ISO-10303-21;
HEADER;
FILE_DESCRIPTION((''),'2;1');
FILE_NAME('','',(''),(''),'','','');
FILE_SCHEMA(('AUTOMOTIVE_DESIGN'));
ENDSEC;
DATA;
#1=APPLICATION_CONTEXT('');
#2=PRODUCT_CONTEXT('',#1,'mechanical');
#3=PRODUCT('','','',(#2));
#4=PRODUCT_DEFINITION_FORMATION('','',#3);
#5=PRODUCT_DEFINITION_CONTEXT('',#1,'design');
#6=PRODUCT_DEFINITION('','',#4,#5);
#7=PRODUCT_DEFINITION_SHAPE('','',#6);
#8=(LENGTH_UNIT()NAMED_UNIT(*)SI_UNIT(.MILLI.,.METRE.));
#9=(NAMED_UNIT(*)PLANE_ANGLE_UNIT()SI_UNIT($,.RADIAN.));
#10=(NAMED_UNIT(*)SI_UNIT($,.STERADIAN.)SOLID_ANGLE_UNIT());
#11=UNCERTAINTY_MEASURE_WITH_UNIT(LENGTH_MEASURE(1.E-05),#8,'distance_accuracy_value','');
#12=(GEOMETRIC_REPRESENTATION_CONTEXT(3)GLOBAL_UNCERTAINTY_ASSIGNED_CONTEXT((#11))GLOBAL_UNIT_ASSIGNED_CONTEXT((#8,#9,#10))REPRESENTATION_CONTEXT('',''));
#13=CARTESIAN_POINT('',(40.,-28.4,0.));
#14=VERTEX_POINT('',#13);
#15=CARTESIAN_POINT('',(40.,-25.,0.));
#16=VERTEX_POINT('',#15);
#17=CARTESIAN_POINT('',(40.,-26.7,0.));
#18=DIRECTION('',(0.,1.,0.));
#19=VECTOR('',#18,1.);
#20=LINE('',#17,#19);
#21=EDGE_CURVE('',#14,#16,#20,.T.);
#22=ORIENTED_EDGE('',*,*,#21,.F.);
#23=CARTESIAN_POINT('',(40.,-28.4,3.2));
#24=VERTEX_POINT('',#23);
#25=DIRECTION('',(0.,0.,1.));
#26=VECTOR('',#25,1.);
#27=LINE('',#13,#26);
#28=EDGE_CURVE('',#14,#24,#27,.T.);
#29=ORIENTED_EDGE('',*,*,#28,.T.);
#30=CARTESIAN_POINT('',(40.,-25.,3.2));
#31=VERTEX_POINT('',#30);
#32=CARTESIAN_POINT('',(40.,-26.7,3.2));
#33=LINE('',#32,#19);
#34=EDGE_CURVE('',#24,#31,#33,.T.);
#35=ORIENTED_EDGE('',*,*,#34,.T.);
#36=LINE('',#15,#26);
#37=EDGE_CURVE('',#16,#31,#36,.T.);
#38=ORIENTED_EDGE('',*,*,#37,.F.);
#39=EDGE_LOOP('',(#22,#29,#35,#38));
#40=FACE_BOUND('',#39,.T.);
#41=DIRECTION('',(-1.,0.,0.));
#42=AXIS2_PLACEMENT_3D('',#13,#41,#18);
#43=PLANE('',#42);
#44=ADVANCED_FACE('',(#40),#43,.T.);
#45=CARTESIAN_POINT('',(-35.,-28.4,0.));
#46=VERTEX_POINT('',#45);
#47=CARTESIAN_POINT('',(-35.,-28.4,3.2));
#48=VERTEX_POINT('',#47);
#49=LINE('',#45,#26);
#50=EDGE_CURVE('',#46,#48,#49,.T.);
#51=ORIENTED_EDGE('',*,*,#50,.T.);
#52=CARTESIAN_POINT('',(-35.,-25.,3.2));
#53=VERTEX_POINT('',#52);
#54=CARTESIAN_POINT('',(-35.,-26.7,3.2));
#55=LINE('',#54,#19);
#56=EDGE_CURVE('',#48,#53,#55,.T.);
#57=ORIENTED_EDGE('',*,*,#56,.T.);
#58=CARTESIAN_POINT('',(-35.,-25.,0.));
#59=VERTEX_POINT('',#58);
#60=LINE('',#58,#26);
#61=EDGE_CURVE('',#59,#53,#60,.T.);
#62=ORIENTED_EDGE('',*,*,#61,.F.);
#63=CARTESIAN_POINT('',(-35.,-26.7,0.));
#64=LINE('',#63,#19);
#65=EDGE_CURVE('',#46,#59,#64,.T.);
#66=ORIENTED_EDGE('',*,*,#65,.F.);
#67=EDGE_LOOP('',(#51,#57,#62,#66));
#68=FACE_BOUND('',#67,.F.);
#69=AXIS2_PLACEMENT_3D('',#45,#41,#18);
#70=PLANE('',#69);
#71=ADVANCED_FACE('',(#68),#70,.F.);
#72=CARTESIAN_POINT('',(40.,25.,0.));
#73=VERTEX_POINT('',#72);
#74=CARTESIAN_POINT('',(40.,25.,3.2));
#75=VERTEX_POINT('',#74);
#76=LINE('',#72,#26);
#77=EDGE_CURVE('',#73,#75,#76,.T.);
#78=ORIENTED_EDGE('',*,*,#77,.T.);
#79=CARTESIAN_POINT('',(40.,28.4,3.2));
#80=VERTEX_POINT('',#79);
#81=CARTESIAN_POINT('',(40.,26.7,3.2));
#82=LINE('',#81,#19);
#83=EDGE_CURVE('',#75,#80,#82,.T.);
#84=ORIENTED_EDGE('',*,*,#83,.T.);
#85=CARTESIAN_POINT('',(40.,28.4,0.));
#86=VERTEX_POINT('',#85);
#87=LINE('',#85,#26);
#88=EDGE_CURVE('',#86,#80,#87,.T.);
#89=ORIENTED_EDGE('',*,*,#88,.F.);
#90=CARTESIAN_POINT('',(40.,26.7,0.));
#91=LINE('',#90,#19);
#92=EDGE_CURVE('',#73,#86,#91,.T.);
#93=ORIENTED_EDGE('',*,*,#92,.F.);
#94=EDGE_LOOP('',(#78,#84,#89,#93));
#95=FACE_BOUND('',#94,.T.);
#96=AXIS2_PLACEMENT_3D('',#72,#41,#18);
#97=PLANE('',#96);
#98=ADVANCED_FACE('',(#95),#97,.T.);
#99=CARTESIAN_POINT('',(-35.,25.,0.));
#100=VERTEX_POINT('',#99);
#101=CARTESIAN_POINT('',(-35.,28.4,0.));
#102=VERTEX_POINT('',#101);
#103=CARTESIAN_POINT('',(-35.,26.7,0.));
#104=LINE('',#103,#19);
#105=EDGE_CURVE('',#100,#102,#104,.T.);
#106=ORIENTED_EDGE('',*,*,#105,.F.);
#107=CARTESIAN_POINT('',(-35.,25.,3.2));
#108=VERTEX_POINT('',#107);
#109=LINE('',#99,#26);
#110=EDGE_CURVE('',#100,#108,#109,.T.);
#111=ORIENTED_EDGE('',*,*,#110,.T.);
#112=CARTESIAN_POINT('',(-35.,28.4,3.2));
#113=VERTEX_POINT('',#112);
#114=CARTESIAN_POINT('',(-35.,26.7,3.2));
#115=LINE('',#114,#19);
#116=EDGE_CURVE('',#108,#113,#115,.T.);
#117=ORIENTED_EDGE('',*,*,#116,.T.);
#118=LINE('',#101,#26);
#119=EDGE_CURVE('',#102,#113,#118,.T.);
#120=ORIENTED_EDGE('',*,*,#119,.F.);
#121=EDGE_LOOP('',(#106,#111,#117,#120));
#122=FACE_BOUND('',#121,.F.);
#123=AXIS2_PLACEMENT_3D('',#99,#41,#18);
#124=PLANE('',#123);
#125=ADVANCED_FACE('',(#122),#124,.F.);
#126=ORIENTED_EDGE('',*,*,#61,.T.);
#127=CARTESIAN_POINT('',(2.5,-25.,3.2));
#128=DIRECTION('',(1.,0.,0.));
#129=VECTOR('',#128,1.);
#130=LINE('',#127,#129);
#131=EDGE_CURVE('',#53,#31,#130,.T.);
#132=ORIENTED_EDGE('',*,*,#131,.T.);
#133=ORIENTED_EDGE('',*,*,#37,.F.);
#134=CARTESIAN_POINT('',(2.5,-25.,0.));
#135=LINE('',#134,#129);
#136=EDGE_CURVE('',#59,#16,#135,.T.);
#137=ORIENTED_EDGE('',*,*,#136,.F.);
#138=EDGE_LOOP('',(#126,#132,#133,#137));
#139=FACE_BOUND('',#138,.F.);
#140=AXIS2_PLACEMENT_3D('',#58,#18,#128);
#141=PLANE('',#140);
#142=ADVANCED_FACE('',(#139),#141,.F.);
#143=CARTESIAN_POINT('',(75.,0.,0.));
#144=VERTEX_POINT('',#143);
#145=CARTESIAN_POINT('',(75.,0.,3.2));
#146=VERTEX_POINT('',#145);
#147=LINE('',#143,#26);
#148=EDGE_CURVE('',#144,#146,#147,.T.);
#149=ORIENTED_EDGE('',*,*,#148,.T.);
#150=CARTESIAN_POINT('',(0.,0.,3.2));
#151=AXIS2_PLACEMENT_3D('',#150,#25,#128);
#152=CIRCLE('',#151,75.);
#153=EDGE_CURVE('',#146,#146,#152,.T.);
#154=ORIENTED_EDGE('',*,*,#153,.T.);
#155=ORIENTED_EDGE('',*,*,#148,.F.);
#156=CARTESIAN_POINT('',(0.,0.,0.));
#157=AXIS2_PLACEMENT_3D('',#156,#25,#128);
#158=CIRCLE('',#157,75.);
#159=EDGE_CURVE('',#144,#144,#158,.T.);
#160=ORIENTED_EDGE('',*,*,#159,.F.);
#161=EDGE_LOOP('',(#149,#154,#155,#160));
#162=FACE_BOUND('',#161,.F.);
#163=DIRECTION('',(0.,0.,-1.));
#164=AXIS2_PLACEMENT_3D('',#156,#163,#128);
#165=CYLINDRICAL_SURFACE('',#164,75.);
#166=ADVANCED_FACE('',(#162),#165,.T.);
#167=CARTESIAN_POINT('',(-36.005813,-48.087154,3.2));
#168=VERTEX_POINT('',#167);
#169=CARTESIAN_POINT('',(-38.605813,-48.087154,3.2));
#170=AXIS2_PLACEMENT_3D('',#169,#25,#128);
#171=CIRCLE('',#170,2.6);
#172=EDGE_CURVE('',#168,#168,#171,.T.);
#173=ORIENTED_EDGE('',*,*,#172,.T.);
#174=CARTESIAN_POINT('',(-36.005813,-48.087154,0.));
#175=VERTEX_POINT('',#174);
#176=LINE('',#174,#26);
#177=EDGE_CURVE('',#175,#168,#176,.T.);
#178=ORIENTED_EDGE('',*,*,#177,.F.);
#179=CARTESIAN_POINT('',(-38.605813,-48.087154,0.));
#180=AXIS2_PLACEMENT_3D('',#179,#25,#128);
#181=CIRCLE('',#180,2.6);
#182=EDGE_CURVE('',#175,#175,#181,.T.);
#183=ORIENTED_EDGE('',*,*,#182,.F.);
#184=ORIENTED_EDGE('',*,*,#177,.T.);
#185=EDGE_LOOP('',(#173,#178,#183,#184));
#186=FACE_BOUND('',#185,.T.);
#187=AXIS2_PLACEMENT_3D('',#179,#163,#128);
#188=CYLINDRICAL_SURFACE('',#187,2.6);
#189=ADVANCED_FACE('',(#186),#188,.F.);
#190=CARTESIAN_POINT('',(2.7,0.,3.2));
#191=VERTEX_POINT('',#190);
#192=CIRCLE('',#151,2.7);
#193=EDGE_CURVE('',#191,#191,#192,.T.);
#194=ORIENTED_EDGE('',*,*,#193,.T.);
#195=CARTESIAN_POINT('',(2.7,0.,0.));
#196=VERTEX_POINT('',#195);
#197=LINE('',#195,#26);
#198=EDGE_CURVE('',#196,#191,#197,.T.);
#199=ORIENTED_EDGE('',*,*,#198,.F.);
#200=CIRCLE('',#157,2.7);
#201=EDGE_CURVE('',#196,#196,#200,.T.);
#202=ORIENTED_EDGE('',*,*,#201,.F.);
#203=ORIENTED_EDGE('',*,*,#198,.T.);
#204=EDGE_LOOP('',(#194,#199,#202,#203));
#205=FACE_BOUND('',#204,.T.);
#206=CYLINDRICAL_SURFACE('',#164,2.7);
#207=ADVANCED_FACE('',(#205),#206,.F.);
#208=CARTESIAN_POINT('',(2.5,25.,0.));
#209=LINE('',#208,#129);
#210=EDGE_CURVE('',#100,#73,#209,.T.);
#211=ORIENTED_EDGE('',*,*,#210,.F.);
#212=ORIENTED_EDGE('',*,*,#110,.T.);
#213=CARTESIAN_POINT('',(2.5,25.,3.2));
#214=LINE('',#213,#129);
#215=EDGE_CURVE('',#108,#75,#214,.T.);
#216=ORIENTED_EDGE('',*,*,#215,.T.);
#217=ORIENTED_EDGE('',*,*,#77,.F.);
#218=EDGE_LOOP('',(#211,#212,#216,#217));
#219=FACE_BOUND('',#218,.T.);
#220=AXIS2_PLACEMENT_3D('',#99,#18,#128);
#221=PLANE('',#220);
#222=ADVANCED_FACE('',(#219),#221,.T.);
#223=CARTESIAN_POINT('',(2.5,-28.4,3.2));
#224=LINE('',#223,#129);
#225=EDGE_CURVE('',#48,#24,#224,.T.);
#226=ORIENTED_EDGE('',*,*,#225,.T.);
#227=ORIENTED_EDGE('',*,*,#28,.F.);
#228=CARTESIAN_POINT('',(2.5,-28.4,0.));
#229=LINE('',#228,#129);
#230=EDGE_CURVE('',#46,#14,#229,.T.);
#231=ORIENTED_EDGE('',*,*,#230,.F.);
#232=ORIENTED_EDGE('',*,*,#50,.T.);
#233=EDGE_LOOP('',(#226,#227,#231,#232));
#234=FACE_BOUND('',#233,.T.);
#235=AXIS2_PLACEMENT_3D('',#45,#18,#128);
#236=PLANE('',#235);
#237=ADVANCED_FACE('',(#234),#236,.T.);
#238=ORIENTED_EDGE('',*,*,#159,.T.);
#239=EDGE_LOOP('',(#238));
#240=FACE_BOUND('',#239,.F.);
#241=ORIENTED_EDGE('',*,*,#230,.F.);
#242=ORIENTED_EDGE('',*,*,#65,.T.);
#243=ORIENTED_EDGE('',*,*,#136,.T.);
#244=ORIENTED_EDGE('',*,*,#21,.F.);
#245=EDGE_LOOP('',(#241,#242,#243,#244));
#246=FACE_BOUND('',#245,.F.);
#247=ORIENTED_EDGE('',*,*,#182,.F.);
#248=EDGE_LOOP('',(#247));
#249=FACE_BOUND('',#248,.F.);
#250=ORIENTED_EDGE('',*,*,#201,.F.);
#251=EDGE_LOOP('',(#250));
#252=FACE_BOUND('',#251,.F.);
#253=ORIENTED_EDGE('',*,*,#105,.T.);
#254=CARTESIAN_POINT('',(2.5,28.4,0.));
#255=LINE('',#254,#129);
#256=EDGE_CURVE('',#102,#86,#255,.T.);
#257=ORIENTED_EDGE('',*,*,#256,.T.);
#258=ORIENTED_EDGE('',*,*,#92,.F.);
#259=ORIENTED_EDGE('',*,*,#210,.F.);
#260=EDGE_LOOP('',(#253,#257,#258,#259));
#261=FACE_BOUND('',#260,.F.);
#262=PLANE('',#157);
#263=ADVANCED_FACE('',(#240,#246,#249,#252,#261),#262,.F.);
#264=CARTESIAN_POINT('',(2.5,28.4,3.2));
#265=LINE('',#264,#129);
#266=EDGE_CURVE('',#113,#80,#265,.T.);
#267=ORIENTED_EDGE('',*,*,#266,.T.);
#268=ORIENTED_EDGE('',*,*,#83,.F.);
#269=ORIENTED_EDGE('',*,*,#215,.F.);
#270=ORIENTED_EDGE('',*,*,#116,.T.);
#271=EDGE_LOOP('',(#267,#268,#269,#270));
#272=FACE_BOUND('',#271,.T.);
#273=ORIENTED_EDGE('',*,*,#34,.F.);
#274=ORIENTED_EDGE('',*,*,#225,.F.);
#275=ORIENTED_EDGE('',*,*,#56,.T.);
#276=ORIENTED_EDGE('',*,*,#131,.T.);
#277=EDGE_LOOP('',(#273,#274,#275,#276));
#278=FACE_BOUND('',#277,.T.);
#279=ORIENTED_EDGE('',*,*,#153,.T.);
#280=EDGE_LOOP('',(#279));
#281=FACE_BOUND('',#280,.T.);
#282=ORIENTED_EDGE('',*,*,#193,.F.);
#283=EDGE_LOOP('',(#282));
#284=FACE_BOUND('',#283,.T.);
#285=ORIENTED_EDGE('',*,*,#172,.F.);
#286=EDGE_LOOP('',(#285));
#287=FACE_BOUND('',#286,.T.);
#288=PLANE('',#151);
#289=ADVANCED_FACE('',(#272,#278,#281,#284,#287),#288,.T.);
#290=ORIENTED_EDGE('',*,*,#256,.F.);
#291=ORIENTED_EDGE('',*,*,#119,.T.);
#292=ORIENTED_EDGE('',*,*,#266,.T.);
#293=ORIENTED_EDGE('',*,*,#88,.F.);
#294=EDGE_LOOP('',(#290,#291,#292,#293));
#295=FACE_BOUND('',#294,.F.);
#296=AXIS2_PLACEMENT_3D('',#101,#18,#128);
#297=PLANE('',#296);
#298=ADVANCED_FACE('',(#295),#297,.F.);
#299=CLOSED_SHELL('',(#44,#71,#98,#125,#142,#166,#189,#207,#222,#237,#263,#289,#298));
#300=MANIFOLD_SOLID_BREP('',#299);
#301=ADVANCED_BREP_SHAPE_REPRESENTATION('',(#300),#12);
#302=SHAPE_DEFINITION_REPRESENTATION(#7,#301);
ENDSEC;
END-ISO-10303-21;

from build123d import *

# Parameters (mm, degrees)
F0_R     = 75
F0_R_2   = 2.6
F0_W     = 75
F0_H     = 3.4
F0_R_3   = 2.7
F1_DEPTH = 3.2


with BuildPart() as f1:
    # F0 (on Top) → F1 (new body)
    with BuildSketch(Plane.XY):
        Circle(F0_R)
        with Locations((-38.605813, -48.087154)):
            Circle(F0_R_2, mode=Mode.SUBTRACT)
        with Locations((2.5, -26.7)):
            Rectangle(F0_W, F0_H, mode=Mode.SUBTRACT)
        Circle(F0_R_3, mode=Mode.SUBTRACT)
        with Locations((2.5, 26.7)):
            Rectangle(F0_W, F0_H, mode=Mode.SUBTRACT)
    extrude(amount=F1_DEPTH)


solid = f1.part
